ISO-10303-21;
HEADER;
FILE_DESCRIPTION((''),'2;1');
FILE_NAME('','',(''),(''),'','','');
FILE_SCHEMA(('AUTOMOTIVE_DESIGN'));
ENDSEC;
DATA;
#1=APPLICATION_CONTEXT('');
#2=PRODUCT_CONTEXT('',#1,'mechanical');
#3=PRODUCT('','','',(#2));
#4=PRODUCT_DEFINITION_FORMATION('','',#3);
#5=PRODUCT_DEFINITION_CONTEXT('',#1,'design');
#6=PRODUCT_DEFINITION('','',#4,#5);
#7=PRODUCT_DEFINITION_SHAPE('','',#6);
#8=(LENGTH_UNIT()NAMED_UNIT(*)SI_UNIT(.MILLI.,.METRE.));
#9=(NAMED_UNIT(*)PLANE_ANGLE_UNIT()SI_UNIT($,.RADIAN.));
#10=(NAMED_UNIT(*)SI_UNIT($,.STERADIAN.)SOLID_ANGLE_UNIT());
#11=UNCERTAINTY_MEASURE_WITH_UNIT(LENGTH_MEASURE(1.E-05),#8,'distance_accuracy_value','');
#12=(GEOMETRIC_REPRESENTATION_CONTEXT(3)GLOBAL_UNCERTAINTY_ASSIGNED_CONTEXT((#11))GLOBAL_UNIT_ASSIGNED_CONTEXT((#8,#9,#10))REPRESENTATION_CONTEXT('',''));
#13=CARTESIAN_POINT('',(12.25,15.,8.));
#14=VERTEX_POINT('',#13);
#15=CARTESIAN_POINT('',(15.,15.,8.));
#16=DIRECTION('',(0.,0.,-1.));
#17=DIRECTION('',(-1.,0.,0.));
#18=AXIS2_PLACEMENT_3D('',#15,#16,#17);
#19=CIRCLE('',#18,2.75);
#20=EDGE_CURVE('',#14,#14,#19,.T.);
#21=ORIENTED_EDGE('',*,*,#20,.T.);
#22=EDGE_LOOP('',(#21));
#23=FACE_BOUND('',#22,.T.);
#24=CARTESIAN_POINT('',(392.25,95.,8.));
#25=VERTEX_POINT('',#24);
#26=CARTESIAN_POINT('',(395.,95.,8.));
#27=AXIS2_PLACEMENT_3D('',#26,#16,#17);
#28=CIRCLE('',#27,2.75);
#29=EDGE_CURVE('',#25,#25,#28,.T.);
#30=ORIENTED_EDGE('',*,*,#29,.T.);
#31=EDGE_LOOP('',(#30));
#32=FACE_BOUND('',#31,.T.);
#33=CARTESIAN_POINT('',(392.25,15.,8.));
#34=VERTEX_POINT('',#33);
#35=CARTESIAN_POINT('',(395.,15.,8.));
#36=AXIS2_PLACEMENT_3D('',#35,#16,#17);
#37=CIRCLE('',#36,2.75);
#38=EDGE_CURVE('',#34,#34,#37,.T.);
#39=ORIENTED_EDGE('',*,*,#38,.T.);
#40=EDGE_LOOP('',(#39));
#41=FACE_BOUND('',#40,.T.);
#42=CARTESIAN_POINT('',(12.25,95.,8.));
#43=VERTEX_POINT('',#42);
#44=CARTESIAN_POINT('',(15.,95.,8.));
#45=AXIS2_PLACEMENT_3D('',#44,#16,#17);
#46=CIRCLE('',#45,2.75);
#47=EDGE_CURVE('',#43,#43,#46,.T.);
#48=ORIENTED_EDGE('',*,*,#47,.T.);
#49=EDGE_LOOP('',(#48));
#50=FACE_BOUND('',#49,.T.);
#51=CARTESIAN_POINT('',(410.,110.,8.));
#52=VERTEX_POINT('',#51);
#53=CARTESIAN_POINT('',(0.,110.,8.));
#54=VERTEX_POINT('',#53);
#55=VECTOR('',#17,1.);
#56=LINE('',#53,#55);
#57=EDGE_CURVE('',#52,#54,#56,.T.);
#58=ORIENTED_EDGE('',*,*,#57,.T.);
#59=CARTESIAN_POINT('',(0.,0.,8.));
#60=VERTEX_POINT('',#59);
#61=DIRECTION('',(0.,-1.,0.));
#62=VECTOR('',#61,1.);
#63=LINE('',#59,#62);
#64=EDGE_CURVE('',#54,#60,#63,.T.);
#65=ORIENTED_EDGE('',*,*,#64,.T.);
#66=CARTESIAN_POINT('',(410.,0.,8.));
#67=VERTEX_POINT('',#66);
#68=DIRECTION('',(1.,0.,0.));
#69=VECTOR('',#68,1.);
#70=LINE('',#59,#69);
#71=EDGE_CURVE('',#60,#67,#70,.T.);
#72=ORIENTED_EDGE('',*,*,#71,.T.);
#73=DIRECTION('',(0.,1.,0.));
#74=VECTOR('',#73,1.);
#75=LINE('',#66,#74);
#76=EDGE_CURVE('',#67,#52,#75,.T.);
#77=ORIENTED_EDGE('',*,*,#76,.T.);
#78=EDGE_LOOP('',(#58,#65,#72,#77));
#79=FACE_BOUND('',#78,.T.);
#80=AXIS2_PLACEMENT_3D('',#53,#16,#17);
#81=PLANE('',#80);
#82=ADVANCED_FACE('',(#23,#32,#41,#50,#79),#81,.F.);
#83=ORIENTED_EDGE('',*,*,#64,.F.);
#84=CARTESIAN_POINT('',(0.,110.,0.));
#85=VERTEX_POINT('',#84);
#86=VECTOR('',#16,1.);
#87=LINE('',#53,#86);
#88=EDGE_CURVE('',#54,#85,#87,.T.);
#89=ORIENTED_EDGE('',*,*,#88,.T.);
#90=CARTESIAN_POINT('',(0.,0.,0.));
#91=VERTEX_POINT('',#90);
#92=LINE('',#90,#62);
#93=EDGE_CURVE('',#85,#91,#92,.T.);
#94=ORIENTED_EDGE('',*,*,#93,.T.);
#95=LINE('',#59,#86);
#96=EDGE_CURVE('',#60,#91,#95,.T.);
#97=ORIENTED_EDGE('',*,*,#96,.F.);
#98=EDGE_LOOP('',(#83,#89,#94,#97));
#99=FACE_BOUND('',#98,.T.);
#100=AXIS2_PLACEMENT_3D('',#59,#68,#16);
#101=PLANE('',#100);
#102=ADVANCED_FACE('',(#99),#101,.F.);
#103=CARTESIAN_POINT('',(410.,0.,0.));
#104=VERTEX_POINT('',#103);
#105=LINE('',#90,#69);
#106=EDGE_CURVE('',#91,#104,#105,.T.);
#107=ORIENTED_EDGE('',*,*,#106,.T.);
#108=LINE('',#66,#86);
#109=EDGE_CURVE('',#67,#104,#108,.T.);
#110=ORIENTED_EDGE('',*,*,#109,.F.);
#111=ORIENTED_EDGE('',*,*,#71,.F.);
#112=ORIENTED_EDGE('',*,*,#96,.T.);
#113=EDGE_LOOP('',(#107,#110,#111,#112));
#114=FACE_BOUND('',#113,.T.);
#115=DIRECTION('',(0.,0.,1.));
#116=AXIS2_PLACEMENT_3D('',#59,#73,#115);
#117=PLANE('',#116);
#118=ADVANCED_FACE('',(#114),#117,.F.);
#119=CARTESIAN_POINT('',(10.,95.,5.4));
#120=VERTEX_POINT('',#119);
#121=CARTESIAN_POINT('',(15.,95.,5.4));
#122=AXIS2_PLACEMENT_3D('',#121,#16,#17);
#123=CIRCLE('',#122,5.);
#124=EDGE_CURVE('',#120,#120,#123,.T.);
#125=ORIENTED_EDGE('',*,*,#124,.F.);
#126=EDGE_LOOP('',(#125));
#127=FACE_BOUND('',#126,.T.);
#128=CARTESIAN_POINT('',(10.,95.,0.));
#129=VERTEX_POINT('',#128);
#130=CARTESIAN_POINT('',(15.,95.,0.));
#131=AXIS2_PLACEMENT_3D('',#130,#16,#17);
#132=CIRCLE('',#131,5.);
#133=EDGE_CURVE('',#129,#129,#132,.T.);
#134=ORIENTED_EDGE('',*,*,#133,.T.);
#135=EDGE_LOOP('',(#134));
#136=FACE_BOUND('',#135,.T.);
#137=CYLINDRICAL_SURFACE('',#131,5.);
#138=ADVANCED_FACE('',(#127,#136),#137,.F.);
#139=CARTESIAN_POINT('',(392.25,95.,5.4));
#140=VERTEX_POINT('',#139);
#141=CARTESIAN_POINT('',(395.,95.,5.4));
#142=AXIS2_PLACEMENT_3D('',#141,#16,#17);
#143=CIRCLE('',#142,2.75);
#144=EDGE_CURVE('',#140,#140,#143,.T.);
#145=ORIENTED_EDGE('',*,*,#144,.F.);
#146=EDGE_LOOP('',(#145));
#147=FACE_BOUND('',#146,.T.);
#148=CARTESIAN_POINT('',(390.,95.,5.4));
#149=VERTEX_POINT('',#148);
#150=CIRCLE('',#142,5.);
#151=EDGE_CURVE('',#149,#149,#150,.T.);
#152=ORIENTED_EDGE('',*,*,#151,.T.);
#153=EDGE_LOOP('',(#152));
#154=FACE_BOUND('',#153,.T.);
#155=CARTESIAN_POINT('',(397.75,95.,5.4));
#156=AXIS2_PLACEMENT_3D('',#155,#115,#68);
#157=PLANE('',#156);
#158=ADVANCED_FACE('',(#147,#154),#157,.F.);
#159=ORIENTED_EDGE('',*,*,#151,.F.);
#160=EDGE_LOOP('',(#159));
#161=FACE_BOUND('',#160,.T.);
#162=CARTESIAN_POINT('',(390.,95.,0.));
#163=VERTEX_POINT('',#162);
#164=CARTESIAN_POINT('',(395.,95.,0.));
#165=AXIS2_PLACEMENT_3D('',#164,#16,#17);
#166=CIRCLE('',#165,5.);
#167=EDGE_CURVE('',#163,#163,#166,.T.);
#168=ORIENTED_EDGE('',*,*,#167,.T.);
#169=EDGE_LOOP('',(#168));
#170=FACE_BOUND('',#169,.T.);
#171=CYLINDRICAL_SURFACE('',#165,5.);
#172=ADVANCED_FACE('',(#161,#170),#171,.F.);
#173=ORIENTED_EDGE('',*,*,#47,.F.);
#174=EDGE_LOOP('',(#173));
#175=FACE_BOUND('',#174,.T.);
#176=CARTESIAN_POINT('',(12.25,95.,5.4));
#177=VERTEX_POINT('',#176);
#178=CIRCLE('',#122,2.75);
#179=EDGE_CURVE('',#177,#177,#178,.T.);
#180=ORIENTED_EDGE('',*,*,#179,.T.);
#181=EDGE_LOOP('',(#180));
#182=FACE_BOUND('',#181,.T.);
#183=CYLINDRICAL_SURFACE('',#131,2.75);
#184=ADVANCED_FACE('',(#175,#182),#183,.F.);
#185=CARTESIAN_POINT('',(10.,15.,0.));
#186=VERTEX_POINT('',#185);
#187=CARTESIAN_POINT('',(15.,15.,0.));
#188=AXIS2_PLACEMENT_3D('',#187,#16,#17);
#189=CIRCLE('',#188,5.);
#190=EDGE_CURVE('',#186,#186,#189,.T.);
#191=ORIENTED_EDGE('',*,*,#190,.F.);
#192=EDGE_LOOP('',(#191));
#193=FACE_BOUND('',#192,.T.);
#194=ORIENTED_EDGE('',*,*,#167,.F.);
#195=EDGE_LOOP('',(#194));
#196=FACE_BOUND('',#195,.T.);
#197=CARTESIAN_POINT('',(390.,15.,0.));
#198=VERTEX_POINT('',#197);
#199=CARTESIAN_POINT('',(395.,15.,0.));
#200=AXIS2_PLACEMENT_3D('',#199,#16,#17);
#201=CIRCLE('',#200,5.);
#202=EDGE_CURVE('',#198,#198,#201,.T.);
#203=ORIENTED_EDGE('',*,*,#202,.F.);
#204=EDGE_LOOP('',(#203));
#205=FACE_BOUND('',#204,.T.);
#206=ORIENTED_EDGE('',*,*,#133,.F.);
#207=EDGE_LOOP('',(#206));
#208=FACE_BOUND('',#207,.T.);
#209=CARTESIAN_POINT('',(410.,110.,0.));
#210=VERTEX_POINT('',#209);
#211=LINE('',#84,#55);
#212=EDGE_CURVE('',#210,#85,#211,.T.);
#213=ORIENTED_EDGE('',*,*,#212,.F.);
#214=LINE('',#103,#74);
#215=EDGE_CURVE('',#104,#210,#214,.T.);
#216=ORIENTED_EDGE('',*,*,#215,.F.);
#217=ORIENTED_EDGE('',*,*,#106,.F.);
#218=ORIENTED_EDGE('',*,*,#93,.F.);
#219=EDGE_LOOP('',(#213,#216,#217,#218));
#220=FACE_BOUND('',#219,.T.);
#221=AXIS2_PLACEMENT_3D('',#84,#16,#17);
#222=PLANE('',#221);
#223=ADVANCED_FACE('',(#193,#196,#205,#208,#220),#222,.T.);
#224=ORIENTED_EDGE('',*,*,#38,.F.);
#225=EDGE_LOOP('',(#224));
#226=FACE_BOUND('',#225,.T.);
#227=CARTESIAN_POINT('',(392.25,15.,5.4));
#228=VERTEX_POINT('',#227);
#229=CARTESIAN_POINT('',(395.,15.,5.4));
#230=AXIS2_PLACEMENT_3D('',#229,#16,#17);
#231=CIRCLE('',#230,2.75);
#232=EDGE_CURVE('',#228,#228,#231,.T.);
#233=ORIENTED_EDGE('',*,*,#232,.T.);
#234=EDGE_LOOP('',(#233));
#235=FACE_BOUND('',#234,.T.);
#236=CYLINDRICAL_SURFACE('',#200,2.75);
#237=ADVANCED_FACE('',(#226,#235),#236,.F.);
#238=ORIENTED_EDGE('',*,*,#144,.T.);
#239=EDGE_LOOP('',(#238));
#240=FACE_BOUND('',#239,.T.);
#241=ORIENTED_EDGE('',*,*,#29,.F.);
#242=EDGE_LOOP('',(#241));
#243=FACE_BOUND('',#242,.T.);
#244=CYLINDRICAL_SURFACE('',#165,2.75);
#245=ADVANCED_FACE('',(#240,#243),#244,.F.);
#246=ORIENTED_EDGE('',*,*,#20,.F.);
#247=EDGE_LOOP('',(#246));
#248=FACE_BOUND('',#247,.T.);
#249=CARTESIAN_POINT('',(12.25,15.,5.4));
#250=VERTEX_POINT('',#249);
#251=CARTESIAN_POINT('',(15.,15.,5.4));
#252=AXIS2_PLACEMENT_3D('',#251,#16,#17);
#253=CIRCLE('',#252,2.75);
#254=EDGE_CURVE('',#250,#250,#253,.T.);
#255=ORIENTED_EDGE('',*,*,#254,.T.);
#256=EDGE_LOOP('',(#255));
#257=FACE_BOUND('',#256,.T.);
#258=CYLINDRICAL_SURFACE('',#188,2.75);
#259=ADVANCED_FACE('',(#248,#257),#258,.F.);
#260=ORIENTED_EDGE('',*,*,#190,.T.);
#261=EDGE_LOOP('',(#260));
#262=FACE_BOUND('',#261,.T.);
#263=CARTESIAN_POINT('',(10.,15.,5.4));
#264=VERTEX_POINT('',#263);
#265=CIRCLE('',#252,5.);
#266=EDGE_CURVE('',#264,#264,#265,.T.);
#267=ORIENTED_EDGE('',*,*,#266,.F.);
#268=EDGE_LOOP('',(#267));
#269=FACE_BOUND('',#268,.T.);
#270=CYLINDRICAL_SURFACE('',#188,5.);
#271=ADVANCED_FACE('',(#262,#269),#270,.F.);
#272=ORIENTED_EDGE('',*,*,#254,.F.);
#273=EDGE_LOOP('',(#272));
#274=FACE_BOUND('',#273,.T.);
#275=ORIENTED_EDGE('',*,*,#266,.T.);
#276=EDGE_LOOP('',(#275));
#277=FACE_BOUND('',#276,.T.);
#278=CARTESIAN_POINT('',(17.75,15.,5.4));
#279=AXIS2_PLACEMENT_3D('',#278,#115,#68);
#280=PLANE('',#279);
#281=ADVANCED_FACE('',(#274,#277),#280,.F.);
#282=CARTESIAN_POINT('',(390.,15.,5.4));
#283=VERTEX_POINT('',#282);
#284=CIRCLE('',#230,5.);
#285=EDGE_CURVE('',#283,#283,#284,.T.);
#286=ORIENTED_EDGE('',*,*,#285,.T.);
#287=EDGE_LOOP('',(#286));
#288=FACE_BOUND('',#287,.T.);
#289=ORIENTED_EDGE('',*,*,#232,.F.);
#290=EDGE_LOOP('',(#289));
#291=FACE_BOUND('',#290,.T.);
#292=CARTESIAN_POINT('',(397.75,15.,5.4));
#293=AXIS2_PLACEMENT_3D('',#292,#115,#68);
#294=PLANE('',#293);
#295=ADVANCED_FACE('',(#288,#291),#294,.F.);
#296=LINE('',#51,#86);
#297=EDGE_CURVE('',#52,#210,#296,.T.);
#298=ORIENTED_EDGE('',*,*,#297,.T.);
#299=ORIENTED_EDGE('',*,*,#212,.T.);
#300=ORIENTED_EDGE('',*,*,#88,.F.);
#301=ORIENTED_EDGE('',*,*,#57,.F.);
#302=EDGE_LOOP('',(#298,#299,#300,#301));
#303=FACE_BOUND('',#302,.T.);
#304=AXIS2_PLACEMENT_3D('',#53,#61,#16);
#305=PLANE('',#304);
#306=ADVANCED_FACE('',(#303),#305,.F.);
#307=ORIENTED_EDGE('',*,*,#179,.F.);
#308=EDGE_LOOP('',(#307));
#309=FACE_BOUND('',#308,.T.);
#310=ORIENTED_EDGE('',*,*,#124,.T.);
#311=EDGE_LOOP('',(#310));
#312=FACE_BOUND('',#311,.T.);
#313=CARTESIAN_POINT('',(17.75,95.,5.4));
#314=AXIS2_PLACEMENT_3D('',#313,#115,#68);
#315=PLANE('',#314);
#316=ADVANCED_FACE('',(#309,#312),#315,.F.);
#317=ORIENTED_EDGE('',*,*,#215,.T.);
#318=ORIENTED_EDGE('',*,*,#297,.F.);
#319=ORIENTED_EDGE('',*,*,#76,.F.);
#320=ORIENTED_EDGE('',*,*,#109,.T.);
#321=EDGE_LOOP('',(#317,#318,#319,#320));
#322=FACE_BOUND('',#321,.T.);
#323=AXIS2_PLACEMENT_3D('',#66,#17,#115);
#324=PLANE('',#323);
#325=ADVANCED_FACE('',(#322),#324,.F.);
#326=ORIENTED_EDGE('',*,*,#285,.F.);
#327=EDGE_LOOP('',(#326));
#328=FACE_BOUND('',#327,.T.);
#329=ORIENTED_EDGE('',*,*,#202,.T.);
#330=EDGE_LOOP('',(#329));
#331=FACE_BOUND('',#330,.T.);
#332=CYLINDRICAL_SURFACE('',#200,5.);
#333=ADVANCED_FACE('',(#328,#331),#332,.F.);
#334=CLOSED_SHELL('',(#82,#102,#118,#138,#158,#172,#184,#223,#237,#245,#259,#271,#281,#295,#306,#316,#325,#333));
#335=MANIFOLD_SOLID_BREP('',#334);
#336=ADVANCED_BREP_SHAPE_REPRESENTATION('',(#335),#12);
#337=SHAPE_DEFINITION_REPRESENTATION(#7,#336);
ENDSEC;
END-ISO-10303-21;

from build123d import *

# Parameters (mm, degrees)
SKETCH1_W                                           = 410
SKETCH1_H                                           = 110
EXTRUDE2_DEPTH                                      = 8
CBORE_FOR_M5_HEX_SOCKET_HEAD_CAP_SCREW1_D           = 5.5
CBORE_FOR_M5_HEX_SOCKET_HEAD_CAP_SCREW1_CBORE_D     = 10
CBORE_FOR_M5_HEX_SOCKET_HEAD_CAP_SCREW1_CBORE_DEPTH = 5.4


with BuildPart() as part:
    # Sketch1 → Extrude2 (new body)
    with BuildSketch(Plane.XY):
        with Locations((205, 55)):
            Rectangle(SKETCH1_W, SKETCH1_H)
    extrude(amount=EXTRUDE2_DEPTH)

    # CBORE for M5 Hex Socket Head Cap Screw1 (through all)
    with Locations(Plane(origin=(395, 95, 0), x_dir=(-1, 0, 0), z_dir=(0, 0, -1))):
        with Locations((0, 0), (380, 0), (380, -80), (0, -80)):
            CounterBoreHole(CBORE_FOR_M5_HEX_SOCKET_HEAD_CAP_SCREW1_D / 2, CBORE_FOR_M5_HEX_SOCKET_HEAD_CAP_SCREW1_CBORE_D / 2, CBORE_FOR_M5_HEX_SOCKET_HEAD_CAP_SCREW1_CBORE_DEPTH)


solid = part.part
